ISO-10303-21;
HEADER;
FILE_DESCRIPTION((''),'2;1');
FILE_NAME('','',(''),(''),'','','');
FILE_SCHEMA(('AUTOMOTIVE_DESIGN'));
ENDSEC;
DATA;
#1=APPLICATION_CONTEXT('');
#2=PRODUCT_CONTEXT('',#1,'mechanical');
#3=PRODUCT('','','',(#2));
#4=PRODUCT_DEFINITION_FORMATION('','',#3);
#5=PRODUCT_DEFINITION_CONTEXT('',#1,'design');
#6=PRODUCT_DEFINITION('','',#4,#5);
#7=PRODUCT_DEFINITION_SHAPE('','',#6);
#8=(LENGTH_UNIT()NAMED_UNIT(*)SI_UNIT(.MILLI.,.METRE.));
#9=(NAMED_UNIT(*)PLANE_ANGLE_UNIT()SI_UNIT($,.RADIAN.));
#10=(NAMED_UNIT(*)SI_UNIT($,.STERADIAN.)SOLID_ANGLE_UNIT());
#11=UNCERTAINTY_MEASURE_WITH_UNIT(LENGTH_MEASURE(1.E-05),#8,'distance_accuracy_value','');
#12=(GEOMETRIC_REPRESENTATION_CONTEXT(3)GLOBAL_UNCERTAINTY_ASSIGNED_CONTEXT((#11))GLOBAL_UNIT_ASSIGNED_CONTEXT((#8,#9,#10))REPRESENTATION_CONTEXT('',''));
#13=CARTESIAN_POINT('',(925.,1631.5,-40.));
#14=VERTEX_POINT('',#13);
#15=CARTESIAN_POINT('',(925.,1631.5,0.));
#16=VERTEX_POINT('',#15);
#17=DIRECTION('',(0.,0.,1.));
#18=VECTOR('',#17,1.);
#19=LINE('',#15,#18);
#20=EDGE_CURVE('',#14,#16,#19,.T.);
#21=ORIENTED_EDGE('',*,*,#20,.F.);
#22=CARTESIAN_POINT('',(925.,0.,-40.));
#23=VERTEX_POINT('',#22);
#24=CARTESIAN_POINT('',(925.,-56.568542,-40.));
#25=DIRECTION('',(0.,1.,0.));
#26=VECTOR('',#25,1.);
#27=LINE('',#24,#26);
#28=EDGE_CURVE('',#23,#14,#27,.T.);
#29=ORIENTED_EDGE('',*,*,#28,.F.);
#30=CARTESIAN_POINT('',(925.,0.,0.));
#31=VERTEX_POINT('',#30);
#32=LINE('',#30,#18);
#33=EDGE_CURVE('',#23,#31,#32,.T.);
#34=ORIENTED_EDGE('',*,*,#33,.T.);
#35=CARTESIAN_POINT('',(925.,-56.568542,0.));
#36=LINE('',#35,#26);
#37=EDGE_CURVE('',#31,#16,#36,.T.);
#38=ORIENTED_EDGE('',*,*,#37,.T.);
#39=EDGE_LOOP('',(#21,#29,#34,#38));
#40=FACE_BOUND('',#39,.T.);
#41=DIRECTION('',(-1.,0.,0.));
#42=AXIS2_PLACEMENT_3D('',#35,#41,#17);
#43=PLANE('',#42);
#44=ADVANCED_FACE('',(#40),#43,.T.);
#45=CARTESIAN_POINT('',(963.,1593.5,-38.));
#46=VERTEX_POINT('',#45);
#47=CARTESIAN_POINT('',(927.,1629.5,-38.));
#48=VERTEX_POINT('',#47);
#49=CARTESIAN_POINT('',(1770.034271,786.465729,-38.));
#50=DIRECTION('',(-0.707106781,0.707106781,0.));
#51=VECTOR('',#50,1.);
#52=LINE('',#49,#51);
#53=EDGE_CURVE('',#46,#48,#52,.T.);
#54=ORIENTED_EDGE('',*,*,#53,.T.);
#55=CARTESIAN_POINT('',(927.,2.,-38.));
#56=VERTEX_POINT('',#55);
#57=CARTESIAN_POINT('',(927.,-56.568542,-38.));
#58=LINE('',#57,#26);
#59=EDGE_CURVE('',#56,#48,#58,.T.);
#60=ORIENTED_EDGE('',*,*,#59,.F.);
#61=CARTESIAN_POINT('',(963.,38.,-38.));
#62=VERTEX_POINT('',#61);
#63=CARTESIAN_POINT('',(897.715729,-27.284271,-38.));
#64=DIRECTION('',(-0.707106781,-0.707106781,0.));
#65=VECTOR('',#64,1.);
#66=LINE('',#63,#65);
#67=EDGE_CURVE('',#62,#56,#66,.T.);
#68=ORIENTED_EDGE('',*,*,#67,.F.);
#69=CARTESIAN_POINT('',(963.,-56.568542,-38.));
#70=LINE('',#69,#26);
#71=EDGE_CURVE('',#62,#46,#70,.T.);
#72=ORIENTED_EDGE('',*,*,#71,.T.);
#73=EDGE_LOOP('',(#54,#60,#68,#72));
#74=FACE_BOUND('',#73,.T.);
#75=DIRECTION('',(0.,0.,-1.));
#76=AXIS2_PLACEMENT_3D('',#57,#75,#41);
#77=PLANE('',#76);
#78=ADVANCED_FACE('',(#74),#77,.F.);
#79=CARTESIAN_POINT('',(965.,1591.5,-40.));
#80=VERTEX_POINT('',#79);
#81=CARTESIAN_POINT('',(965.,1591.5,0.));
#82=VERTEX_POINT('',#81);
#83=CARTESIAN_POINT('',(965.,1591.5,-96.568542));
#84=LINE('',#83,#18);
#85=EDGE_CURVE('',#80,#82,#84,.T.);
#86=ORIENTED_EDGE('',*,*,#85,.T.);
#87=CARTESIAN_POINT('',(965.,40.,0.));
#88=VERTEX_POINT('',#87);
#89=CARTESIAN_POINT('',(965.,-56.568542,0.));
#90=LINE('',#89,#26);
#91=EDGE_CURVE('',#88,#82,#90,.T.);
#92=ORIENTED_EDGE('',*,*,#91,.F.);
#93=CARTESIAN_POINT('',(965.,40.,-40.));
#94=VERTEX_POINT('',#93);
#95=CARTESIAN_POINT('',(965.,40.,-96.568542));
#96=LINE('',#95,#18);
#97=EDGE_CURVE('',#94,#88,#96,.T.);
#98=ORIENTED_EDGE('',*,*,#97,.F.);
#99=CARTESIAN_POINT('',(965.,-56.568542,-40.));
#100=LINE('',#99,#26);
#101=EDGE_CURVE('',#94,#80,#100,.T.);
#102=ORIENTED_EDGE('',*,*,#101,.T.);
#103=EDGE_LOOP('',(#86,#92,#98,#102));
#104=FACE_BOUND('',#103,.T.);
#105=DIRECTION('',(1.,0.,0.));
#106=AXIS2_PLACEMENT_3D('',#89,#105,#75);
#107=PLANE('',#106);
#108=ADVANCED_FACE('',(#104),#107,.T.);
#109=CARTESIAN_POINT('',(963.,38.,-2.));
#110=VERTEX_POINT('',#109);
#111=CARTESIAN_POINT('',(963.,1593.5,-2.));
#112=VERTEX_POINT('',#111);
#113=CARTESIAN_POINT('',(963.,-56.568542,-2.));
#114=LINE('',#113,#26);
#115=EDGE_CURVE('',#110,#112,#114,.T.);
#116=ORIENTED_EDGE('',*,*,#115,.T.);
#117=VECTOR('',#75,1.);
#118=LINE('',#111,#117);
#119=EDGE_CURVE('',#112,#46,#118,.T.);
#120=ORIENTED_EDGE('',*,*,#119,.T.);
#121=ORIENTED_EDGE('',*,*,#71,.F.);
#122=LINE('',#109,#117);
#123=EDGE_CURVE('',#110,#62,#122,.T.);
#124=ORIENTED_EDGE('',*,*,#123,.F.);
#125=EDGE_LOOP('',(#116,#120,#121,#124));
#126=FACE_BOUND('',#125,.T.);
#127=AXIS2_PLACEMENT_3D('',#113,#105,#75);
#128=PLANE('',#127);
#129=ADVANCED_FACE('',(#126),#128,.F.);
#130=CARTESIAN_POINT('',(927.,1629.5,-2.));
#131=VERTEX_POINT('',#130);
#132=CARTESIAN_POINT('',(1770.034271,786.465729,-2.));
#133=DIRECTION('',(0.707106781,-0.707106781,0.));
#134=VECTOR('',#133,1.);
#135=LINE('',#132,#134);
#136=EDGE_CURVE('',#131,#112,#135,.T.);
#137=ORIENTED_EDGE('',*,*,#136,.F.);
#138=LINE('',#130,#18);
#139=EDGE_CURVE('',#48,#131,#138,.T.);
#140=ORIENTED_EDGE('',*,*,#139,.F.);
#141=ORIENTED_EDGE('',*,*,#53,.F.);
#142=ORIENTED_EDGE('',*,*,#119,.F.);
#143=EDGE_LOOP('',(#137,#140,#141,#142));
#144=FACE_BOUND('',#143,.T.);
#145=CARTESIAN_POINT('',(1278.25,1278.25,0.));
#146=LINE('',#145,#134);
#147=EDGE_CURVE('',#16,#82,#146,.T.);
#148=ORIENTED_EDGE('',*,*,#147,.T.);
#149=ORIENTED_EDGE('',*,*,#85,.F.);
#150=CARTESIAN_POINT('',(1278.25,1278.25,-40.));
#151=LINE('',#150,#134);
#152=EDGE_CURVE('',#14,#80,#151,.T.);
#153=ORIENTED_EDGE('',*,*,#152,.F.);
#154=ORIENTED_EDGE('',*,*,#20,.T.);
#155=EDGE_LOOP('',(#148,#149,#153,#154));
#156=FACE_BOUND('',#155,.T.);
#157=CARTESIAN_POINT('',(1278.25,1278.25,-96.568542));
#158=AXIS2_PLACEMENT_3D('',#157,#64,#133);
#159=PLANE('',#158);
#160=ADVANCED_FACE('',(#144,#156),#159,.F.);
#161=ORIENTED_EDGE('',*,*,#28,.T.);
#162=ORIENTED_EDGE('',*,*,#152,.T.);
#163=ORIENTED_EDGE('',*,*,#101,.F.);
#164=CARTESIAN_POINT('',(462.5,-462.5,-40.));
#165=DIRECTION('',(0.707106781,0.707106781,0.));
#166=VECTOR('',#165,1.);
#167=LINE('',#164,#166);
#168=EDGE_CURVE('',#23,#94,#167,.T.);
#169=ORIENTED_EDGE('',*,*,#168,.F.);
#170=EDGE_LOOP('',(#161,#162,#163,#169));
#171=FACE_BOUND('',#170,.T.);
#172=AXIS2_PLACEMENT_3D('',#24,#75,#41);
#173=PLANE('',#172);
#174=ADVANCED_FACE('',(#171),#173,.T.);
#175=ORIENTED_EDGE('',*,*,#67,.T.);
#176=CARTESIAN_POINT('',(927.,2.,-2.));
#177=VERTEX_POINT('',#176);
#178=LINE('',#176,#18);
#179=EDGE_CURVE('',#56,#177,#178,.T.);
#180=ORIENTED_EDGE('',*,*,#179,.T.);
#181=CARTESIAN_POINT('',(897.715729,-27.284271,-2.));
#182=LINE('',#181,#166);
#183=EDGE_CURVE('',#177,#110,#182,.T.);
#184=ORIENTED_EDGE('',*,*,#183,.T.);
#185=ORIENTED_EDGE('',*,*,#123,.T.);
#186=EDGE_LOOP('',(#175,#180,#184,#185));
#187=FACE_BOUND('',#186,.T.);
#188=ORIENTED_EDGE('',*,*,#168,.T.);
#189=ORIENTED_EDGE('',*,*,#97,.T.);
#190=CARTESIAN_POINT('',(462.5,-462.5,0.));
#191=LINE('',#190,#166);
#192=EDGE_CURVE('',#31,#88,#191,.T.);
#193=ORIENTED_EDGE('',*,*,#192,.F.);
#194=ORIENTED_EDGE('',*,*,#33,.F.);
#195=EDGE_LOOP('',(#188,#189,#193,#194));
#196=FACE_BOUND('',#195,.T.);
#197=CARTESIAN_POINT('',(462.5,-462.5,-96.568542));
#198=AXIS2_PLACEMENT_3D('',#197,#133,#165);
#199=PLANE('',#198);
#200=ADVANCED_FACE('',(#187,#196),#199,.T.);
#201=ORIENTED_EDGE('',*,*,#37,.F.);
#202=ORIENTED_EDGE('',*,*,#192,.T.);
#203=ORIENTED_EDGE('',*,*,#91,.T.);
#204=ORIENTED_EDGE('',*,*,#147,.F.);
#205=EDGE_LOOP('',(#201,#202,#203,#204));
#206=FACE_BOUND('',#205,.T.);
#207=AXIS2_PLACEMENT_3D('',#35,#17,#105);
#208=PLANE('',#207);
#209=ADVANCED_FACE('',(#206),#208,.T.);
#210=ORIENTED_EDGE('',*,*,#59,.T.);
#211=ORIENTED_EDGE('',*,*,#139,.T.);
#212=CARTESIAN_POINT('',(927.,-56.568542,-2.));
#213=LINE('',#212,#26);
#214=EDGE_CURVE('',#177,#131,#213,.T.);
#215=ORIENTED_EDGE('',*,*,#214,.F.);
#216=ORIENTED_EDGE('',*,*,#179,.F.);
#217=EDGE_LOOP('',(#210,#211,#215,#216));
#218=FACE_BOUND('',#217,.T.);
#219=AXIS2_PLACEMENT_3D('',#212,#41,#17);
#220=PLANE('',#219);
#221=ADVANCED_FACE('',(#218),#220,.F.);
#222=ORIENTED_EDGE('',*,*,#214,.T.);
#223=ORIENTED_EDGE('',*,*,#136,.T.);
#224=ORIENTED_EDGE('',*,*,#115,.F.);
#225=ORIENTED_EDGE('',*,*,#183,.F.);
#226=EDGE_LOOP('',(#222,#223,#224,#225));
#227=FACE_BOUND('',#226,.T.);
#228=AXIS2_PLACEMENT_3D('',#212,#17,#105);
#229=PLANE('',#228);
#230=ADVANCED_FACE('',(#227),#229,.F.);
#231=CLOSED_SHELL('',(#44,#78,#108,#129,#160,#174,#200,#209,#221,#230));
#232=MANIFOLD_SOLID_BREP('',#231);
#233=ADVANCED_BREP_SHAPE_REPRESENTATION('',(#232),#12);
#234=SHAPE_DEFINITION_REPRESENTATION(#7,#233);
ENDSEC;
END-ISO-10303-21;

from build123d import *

# Parameters (mm, degrees)
SKETCH2_W           = 40
SKETCH2_H           = 40
SKETCH2_W_2         = 36
SKETCH2_H_2         = 36
BOSS_EXTRUDE1_DEPTH = 1631.5
CUT_EXTRUDE1_REACH  = 1897.948


with BuildPart() as part:
    # Sketch2 → Boss-Extrude1 (new body)
    with BuildSketch(Plane(origin=(0, 1631.5, 0), x_dir=(1, 0, 0), z_dir=(0, 1, 0))):
        with Locations((945, 20)):
            Rectangle(SKETCH2_W, SKETCH2_H)
        with Locations((945, 20)):
            Rectangle(SKETCH2_W_2, SKETCH2_H_2, mode=Mode.SUBTRACT)
    extrude(amount=-BOSS_EXTRUDE1_DEPTH)

    # Cut-Extrude1: up to this face of the body (flat: up to its plane)
    cut_extrude1_end = Plane(part.part.faces().sort_by_distance((945, 815.75, -40))[0])
    # Sketch3 → Cut-Extrude1 (cut, up to the picked face)
    with BuildSketch(Plane.XY, mode=Mode.PRIVATE) as cut_extrude1_sk1:
        Polygon((965, 0), (965, 40), (925, 0), align=None)
    cut_extrude1_tool1 = split(extrude(cut_extrude1_sk1.sketch, amount=-CUT_EXTRUDE1_REACH, mode=Mode.PRIVATE), bisect_by=cut_extrude1_end, keep=Keep.BOTH, mode=Mode.PRIVATE)
    # Sketch3 → Cut-Extrude1 (cut, up to the picked face)
    with BuildSketch(Plane.XY, mode=Mode.PRIVATE) as cut_extrude1_sk2:
        Polygon((965, 1631.5), (925, 1631.5), (965, 1591.5), align=None)
    cut_extrude1_tool2 = split(extrude(cut_extrude1_sk2.sketch, amount=-CUT_EXTRUDE1_REACH, mode=Mode.PRIVATE), bisect_by=cut_extrude1_end, keep=Keep.BOTH, mode=Mode.PRIVATE)
    add(cut_extrude1_tool1.solids().sort_by(Axis((951.666667, 13.333333, 0), (0, 0, -1)))[0], mode=Mode.SUBTRACT)
    add(cut_extrude1_tool2.solids().sort_by(Axis((951.666667, 1618.166667, 0), (0, 0, -1)))[0], mode=Mode.SUBTRACT)


solid = part.part
